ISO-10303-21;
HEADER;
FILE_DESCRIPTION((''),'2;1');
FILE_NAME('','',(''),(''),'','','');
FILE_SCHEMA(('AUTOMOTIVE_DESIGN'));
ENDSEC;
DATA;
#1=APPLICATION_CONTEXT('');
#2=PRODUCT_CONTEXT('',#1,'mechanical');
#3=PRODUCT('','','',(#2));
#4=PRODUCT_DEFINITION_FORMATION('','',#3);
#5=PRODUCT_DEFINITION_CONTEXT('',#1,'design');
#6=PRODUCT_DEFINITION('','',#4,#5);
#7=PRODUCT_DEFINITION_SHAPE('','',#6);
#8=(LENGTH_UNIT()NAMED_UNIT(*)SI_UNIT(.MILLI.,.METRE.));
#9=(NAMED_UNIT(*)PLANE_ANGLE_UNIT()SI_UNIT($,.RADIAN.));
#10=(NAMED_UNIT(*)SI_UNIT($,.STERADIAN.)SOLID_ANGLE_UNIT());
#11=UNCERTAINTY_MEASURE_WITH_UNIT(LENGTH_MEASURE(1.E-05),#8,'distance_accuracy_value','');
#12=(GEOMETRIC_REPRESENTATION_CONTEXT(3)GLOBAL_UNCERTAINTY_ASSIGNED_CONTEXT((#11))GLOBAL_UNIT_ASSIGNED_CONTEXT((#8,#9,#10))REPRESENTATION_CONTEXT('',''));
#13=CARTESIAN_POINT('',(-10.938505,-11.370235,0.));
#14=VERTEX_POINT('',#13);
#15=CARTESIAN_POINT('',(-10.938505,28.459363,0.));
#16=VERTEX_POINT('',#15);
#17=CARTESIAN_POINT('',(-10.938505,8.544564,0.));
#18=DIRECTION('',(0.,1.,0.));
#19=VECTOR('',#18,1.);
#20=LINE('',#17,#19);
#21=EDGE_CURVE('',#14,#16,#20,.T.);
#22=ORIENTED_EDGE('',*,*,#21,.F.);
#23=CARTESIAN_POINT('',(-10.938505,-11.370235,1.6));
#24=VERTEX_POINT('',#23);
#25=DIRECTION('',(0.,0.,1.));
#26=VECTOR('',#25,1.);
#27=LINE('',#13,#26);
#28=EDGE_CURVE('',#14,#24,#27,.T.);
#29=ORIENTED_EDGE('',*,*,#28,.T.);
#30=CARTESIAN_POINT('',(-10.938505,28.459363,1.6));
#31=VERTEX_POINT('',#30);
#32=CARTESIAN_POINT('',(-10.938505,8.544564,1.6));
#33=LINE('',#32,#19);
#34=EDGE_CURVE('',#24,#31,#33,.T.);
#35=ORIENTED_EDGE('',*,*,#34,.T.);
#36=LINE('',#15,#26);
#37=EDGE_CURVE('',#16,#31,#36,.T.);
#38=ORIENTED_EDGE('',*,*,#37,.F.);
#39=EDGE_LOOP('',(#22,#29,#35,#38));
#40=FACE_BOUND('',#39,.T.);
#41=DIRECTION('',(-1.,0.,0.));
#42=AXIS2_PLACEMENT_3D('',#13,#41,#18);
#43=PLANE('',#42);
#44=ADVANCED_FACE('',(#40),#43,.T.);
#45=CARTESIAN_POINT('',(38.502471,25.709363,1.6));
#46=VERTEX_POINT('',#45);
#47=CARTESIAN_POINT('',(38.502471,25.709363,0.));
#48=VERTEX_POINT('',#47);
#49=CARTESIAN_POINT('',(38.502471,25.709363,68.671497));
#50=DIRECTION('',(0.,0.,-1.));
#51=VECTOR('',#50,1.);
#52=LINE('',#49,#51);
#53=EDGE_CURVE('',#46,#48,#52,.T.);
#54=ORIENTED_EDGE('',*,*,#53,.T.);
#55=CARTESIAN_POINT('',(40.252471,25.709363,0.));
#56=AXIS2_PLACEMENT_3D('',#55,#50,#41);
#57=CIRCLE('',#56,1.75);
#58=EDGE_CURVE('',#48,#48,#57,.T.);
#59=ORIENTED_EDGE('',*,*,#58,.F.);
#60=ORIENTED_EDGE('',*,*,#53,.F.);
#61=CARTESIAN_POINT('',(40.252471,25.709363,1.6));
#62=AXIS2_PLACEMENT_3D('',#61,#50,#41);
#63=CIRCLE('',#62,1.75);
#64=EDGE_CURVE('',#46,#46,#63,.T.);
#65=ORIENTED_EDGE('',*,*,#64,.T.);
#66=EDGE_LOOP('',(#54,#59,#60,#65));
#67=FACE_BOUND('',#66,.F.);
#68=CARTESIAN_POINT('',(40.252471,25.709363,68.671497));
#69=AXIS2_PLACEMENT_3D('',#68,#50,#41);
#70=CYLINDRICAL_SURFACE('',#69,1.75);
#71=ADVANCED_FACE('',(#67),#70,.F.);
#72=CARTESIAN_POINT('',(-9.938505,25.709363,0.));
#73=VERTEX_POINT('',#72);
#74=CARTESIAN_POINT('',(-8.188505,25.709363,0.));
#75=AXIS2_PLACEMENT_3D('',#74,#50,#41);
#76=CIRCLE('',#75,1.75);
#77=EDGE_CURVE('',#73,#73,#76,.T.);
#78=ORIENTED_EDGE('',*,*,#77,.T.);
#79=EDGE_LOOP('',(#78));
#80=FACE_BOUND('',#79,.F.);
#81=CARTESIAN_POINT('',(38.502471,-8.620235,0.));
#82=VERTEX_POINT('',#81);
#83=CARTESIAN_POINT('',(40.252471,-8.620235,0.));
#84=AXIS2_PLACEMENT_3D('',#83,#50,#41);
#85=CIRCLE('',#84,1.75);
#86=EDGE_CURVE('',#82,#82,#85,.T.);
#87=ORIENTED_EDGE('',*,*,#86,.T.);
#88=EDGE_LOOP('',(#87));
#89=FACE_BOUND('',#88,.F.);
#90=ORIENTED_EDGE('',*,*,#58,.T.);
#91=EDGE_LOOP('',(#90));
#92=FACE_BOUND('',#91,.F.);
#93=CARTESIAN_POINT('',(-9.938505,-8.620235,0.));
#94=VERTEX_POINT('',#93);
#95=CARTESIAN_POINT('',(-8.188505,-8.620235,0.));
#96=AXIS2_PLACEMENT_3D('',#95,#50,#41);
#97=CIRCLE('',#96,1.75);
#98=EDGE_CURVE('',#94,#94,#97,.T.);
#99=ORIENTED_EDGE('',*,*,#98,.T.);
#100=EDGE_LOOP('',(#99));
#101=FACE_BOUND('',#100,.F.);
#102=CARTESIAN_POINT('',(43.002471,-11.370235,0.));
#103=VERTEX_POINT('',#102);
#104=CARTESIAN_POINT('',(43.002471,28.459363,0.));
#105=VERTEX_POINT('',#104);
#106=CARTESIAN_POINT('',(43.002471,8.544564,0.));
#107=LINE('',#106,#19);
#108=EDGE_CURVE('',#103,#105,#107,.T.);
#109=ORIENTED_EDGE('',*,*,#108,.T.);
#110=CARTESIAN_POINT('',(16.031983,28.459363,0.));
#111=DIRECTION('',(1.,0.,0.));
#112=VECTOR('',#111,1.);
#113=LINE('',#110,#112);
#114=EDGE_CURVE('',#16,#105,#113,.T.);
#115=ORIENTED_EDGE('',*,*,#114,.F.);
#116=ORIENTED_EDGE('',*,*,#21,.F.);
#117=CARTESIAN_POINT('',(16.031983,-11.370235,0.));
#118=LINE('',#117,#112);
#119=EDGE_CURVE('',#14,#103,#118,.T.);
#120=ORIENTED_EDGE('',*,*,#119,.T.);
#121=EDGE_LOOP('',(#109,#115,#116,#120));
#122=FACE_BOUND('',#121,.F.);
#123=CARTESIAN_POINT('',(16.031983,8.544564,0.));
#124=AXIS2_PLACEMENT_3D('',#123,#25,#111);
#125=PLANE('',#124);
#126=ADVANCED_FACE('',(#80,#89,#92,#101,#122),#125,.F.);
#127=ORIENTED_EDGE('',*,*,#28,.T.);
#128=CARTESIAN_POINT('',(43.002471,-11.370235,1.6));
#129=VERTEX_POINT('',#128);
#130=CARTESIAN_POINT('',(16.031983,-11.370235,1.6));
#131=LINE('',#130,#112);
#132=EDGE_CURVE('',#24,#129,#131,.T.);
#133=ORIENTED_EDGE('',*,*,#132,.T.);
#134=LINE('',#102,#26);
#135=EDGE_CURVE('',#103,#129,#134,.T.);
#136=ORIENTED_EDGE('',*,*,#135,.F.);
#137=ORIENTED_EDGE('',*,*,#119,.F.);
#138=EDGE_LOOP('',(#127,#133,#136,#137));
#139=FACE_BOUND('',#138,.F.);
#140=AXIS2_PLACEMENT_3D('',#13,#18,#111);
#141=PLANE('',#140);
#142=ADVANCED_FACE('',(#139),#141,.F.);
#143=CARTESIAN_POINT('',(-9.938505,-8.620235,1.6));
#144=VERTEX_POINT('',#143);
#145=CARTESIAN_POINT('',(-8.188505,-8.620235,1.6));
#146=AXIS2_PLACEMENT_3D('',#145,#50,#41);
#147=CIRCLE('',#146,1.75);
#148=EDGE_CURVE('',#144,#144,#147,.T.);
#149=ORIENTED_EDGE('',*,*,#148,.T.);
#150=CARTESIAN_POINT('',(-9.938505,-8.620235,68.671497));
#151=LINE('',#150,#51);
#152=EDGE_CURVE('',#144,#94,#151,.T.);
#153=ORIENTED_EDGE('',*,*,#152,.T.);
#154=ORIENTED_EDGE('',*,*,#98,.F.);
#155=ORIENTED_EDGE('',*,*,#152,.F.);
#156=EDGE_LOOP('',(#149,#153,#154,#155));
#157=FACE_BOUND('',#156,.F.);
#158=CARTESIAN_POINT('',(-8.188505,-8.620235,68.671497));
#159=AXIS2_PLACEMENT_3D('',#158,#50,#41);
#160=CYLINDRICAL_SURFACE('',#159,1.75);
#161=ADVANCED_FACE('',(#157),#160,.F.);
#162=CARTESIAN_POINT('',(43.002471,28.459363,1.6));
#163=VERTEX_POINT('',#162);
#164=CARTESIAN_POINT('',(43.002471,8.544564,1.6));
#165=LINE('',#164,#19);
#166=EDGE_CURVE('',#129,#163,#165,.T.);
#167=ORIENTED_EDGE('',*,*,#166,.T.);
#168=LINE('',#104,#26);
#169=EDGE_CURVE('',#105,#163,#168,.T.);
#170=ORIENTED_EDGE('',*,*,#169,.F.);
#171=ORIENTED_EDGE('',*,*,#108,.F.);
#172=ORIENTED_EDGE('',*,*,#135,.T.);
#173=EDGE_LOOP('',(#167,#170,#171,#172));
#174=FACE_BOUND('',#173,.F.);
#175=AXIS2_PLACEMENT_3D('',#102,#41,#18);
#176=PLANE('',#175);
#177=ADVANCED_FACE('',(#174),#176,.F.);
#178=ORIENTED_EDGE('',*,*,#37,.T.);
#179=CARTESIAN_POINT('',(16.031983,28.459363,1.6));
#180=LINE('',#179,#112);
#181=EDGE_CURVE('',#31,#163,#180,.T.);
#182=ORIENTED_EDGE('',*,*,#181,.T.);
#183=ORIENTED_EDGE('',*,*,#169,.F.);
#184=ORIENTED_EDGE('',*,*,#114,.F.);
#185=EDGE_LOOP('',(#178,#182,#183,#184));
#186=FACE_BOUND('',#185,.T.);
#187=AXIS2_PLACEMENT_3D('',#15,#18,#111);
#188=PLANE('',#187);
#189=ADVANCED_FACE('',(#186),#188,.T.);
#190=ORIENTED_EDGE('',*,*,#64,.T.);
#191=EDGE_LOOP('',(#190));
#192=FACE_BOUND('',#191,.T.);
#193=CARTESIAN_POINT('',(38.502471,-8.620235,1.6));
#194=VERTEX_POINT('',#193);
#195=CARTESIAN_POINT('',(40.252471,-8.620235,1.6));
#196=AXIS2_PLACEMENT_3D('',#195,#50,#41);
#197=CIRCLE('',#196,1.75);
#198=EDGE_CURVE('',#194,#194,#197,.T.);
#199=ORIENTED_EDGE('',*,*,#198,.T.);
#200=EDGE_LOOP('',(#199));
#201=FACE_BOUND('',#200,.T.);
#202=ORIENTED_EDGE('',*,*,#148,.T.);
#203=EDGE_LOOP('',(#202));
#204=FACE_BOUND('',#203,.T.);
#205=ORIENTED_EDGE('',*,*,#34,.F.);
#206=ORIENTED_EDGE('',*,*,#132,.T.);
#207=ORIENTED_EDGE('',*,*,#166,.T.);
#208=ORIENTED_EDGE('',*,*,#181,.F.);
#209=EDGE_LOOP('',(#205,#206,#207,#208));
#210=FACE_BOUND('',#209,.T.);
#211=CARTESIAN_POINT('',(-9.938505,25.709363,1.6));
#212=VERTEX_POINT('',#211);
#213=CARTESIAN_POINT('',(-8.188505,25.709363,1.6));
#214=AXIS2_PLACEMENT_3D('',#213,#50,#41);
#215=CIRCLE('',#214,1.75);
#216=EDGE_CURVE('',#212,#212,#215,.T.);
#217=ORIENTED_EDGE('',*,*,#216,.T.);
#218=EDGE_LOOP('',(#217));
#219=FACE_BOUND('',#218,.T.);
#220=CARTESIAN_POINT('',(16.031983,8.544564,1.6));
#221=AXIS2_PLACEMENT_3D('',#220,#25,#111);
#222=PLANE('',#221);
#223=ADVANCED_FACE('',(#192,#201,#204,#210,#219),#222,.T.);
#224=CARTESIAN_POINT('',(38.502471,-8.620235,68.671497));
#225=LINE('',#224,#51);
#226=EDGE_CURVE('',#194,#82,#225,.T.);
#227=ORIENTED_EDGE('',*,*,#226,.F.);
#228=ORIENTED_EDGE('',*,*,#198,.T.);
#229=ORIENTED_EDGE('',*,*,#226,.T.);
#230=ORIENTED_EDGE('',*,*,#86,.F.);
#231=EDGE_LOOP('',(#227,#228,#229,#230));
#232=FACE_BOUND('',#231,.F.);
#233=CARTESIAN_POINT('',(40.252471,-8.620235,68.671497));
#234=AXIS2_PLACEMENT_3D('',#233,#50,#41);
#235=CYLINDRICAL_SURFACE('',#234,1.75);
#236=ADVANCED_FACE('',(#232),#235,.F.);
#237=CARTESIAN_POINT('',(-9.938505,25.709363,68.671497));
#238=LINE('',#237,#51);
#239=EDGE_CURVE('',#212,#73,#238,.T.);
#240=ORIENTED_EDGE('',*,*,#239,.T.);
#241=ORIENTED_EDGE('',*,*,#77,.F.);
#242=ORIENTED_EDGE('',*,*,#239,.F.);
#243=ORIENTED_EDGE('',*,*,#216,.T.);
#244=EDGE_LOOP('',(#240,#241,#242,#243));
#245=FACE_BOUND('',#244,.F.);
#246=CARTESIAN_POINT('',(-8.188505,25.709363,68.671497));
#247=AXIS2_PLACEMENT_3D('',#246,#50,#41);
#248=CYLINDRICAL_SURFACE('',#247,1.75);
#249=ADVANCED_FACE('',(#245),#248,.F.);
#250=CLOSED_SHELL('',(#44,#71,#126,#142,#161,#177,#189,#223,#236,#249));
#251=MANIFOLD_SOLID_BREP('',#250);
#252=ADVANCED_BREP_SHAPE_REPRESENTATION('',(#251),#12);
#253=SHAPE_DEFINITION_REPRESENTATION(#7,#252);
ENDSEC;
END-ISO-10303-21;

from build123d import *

# Parameters (mm, degrees)
F0_W     = 53.940976
F0_H     = 39.829598
F1_DEPTH = 1.6
F3_D     = 3.5


with BuildPart() as f1:
    # F0 (on Top) → F1 (new body)
    with BuildSketch(Plane.XY):
        with Locations((16.031983, 8.544564)):
            Rectangle(F0_W, F0_H)
    extrude(amount=F1_DEPTH)

    # F3 (through all)
    with Locations(Plane.XY.offset(1.6)):
        with Locations((-8.188505, 25.709363), (-8.188505, -8.620235), (40.252471, -8.620235), (40.252471, 25.709363)):
            Hole(F3_D / 2)


solid = f1.part
